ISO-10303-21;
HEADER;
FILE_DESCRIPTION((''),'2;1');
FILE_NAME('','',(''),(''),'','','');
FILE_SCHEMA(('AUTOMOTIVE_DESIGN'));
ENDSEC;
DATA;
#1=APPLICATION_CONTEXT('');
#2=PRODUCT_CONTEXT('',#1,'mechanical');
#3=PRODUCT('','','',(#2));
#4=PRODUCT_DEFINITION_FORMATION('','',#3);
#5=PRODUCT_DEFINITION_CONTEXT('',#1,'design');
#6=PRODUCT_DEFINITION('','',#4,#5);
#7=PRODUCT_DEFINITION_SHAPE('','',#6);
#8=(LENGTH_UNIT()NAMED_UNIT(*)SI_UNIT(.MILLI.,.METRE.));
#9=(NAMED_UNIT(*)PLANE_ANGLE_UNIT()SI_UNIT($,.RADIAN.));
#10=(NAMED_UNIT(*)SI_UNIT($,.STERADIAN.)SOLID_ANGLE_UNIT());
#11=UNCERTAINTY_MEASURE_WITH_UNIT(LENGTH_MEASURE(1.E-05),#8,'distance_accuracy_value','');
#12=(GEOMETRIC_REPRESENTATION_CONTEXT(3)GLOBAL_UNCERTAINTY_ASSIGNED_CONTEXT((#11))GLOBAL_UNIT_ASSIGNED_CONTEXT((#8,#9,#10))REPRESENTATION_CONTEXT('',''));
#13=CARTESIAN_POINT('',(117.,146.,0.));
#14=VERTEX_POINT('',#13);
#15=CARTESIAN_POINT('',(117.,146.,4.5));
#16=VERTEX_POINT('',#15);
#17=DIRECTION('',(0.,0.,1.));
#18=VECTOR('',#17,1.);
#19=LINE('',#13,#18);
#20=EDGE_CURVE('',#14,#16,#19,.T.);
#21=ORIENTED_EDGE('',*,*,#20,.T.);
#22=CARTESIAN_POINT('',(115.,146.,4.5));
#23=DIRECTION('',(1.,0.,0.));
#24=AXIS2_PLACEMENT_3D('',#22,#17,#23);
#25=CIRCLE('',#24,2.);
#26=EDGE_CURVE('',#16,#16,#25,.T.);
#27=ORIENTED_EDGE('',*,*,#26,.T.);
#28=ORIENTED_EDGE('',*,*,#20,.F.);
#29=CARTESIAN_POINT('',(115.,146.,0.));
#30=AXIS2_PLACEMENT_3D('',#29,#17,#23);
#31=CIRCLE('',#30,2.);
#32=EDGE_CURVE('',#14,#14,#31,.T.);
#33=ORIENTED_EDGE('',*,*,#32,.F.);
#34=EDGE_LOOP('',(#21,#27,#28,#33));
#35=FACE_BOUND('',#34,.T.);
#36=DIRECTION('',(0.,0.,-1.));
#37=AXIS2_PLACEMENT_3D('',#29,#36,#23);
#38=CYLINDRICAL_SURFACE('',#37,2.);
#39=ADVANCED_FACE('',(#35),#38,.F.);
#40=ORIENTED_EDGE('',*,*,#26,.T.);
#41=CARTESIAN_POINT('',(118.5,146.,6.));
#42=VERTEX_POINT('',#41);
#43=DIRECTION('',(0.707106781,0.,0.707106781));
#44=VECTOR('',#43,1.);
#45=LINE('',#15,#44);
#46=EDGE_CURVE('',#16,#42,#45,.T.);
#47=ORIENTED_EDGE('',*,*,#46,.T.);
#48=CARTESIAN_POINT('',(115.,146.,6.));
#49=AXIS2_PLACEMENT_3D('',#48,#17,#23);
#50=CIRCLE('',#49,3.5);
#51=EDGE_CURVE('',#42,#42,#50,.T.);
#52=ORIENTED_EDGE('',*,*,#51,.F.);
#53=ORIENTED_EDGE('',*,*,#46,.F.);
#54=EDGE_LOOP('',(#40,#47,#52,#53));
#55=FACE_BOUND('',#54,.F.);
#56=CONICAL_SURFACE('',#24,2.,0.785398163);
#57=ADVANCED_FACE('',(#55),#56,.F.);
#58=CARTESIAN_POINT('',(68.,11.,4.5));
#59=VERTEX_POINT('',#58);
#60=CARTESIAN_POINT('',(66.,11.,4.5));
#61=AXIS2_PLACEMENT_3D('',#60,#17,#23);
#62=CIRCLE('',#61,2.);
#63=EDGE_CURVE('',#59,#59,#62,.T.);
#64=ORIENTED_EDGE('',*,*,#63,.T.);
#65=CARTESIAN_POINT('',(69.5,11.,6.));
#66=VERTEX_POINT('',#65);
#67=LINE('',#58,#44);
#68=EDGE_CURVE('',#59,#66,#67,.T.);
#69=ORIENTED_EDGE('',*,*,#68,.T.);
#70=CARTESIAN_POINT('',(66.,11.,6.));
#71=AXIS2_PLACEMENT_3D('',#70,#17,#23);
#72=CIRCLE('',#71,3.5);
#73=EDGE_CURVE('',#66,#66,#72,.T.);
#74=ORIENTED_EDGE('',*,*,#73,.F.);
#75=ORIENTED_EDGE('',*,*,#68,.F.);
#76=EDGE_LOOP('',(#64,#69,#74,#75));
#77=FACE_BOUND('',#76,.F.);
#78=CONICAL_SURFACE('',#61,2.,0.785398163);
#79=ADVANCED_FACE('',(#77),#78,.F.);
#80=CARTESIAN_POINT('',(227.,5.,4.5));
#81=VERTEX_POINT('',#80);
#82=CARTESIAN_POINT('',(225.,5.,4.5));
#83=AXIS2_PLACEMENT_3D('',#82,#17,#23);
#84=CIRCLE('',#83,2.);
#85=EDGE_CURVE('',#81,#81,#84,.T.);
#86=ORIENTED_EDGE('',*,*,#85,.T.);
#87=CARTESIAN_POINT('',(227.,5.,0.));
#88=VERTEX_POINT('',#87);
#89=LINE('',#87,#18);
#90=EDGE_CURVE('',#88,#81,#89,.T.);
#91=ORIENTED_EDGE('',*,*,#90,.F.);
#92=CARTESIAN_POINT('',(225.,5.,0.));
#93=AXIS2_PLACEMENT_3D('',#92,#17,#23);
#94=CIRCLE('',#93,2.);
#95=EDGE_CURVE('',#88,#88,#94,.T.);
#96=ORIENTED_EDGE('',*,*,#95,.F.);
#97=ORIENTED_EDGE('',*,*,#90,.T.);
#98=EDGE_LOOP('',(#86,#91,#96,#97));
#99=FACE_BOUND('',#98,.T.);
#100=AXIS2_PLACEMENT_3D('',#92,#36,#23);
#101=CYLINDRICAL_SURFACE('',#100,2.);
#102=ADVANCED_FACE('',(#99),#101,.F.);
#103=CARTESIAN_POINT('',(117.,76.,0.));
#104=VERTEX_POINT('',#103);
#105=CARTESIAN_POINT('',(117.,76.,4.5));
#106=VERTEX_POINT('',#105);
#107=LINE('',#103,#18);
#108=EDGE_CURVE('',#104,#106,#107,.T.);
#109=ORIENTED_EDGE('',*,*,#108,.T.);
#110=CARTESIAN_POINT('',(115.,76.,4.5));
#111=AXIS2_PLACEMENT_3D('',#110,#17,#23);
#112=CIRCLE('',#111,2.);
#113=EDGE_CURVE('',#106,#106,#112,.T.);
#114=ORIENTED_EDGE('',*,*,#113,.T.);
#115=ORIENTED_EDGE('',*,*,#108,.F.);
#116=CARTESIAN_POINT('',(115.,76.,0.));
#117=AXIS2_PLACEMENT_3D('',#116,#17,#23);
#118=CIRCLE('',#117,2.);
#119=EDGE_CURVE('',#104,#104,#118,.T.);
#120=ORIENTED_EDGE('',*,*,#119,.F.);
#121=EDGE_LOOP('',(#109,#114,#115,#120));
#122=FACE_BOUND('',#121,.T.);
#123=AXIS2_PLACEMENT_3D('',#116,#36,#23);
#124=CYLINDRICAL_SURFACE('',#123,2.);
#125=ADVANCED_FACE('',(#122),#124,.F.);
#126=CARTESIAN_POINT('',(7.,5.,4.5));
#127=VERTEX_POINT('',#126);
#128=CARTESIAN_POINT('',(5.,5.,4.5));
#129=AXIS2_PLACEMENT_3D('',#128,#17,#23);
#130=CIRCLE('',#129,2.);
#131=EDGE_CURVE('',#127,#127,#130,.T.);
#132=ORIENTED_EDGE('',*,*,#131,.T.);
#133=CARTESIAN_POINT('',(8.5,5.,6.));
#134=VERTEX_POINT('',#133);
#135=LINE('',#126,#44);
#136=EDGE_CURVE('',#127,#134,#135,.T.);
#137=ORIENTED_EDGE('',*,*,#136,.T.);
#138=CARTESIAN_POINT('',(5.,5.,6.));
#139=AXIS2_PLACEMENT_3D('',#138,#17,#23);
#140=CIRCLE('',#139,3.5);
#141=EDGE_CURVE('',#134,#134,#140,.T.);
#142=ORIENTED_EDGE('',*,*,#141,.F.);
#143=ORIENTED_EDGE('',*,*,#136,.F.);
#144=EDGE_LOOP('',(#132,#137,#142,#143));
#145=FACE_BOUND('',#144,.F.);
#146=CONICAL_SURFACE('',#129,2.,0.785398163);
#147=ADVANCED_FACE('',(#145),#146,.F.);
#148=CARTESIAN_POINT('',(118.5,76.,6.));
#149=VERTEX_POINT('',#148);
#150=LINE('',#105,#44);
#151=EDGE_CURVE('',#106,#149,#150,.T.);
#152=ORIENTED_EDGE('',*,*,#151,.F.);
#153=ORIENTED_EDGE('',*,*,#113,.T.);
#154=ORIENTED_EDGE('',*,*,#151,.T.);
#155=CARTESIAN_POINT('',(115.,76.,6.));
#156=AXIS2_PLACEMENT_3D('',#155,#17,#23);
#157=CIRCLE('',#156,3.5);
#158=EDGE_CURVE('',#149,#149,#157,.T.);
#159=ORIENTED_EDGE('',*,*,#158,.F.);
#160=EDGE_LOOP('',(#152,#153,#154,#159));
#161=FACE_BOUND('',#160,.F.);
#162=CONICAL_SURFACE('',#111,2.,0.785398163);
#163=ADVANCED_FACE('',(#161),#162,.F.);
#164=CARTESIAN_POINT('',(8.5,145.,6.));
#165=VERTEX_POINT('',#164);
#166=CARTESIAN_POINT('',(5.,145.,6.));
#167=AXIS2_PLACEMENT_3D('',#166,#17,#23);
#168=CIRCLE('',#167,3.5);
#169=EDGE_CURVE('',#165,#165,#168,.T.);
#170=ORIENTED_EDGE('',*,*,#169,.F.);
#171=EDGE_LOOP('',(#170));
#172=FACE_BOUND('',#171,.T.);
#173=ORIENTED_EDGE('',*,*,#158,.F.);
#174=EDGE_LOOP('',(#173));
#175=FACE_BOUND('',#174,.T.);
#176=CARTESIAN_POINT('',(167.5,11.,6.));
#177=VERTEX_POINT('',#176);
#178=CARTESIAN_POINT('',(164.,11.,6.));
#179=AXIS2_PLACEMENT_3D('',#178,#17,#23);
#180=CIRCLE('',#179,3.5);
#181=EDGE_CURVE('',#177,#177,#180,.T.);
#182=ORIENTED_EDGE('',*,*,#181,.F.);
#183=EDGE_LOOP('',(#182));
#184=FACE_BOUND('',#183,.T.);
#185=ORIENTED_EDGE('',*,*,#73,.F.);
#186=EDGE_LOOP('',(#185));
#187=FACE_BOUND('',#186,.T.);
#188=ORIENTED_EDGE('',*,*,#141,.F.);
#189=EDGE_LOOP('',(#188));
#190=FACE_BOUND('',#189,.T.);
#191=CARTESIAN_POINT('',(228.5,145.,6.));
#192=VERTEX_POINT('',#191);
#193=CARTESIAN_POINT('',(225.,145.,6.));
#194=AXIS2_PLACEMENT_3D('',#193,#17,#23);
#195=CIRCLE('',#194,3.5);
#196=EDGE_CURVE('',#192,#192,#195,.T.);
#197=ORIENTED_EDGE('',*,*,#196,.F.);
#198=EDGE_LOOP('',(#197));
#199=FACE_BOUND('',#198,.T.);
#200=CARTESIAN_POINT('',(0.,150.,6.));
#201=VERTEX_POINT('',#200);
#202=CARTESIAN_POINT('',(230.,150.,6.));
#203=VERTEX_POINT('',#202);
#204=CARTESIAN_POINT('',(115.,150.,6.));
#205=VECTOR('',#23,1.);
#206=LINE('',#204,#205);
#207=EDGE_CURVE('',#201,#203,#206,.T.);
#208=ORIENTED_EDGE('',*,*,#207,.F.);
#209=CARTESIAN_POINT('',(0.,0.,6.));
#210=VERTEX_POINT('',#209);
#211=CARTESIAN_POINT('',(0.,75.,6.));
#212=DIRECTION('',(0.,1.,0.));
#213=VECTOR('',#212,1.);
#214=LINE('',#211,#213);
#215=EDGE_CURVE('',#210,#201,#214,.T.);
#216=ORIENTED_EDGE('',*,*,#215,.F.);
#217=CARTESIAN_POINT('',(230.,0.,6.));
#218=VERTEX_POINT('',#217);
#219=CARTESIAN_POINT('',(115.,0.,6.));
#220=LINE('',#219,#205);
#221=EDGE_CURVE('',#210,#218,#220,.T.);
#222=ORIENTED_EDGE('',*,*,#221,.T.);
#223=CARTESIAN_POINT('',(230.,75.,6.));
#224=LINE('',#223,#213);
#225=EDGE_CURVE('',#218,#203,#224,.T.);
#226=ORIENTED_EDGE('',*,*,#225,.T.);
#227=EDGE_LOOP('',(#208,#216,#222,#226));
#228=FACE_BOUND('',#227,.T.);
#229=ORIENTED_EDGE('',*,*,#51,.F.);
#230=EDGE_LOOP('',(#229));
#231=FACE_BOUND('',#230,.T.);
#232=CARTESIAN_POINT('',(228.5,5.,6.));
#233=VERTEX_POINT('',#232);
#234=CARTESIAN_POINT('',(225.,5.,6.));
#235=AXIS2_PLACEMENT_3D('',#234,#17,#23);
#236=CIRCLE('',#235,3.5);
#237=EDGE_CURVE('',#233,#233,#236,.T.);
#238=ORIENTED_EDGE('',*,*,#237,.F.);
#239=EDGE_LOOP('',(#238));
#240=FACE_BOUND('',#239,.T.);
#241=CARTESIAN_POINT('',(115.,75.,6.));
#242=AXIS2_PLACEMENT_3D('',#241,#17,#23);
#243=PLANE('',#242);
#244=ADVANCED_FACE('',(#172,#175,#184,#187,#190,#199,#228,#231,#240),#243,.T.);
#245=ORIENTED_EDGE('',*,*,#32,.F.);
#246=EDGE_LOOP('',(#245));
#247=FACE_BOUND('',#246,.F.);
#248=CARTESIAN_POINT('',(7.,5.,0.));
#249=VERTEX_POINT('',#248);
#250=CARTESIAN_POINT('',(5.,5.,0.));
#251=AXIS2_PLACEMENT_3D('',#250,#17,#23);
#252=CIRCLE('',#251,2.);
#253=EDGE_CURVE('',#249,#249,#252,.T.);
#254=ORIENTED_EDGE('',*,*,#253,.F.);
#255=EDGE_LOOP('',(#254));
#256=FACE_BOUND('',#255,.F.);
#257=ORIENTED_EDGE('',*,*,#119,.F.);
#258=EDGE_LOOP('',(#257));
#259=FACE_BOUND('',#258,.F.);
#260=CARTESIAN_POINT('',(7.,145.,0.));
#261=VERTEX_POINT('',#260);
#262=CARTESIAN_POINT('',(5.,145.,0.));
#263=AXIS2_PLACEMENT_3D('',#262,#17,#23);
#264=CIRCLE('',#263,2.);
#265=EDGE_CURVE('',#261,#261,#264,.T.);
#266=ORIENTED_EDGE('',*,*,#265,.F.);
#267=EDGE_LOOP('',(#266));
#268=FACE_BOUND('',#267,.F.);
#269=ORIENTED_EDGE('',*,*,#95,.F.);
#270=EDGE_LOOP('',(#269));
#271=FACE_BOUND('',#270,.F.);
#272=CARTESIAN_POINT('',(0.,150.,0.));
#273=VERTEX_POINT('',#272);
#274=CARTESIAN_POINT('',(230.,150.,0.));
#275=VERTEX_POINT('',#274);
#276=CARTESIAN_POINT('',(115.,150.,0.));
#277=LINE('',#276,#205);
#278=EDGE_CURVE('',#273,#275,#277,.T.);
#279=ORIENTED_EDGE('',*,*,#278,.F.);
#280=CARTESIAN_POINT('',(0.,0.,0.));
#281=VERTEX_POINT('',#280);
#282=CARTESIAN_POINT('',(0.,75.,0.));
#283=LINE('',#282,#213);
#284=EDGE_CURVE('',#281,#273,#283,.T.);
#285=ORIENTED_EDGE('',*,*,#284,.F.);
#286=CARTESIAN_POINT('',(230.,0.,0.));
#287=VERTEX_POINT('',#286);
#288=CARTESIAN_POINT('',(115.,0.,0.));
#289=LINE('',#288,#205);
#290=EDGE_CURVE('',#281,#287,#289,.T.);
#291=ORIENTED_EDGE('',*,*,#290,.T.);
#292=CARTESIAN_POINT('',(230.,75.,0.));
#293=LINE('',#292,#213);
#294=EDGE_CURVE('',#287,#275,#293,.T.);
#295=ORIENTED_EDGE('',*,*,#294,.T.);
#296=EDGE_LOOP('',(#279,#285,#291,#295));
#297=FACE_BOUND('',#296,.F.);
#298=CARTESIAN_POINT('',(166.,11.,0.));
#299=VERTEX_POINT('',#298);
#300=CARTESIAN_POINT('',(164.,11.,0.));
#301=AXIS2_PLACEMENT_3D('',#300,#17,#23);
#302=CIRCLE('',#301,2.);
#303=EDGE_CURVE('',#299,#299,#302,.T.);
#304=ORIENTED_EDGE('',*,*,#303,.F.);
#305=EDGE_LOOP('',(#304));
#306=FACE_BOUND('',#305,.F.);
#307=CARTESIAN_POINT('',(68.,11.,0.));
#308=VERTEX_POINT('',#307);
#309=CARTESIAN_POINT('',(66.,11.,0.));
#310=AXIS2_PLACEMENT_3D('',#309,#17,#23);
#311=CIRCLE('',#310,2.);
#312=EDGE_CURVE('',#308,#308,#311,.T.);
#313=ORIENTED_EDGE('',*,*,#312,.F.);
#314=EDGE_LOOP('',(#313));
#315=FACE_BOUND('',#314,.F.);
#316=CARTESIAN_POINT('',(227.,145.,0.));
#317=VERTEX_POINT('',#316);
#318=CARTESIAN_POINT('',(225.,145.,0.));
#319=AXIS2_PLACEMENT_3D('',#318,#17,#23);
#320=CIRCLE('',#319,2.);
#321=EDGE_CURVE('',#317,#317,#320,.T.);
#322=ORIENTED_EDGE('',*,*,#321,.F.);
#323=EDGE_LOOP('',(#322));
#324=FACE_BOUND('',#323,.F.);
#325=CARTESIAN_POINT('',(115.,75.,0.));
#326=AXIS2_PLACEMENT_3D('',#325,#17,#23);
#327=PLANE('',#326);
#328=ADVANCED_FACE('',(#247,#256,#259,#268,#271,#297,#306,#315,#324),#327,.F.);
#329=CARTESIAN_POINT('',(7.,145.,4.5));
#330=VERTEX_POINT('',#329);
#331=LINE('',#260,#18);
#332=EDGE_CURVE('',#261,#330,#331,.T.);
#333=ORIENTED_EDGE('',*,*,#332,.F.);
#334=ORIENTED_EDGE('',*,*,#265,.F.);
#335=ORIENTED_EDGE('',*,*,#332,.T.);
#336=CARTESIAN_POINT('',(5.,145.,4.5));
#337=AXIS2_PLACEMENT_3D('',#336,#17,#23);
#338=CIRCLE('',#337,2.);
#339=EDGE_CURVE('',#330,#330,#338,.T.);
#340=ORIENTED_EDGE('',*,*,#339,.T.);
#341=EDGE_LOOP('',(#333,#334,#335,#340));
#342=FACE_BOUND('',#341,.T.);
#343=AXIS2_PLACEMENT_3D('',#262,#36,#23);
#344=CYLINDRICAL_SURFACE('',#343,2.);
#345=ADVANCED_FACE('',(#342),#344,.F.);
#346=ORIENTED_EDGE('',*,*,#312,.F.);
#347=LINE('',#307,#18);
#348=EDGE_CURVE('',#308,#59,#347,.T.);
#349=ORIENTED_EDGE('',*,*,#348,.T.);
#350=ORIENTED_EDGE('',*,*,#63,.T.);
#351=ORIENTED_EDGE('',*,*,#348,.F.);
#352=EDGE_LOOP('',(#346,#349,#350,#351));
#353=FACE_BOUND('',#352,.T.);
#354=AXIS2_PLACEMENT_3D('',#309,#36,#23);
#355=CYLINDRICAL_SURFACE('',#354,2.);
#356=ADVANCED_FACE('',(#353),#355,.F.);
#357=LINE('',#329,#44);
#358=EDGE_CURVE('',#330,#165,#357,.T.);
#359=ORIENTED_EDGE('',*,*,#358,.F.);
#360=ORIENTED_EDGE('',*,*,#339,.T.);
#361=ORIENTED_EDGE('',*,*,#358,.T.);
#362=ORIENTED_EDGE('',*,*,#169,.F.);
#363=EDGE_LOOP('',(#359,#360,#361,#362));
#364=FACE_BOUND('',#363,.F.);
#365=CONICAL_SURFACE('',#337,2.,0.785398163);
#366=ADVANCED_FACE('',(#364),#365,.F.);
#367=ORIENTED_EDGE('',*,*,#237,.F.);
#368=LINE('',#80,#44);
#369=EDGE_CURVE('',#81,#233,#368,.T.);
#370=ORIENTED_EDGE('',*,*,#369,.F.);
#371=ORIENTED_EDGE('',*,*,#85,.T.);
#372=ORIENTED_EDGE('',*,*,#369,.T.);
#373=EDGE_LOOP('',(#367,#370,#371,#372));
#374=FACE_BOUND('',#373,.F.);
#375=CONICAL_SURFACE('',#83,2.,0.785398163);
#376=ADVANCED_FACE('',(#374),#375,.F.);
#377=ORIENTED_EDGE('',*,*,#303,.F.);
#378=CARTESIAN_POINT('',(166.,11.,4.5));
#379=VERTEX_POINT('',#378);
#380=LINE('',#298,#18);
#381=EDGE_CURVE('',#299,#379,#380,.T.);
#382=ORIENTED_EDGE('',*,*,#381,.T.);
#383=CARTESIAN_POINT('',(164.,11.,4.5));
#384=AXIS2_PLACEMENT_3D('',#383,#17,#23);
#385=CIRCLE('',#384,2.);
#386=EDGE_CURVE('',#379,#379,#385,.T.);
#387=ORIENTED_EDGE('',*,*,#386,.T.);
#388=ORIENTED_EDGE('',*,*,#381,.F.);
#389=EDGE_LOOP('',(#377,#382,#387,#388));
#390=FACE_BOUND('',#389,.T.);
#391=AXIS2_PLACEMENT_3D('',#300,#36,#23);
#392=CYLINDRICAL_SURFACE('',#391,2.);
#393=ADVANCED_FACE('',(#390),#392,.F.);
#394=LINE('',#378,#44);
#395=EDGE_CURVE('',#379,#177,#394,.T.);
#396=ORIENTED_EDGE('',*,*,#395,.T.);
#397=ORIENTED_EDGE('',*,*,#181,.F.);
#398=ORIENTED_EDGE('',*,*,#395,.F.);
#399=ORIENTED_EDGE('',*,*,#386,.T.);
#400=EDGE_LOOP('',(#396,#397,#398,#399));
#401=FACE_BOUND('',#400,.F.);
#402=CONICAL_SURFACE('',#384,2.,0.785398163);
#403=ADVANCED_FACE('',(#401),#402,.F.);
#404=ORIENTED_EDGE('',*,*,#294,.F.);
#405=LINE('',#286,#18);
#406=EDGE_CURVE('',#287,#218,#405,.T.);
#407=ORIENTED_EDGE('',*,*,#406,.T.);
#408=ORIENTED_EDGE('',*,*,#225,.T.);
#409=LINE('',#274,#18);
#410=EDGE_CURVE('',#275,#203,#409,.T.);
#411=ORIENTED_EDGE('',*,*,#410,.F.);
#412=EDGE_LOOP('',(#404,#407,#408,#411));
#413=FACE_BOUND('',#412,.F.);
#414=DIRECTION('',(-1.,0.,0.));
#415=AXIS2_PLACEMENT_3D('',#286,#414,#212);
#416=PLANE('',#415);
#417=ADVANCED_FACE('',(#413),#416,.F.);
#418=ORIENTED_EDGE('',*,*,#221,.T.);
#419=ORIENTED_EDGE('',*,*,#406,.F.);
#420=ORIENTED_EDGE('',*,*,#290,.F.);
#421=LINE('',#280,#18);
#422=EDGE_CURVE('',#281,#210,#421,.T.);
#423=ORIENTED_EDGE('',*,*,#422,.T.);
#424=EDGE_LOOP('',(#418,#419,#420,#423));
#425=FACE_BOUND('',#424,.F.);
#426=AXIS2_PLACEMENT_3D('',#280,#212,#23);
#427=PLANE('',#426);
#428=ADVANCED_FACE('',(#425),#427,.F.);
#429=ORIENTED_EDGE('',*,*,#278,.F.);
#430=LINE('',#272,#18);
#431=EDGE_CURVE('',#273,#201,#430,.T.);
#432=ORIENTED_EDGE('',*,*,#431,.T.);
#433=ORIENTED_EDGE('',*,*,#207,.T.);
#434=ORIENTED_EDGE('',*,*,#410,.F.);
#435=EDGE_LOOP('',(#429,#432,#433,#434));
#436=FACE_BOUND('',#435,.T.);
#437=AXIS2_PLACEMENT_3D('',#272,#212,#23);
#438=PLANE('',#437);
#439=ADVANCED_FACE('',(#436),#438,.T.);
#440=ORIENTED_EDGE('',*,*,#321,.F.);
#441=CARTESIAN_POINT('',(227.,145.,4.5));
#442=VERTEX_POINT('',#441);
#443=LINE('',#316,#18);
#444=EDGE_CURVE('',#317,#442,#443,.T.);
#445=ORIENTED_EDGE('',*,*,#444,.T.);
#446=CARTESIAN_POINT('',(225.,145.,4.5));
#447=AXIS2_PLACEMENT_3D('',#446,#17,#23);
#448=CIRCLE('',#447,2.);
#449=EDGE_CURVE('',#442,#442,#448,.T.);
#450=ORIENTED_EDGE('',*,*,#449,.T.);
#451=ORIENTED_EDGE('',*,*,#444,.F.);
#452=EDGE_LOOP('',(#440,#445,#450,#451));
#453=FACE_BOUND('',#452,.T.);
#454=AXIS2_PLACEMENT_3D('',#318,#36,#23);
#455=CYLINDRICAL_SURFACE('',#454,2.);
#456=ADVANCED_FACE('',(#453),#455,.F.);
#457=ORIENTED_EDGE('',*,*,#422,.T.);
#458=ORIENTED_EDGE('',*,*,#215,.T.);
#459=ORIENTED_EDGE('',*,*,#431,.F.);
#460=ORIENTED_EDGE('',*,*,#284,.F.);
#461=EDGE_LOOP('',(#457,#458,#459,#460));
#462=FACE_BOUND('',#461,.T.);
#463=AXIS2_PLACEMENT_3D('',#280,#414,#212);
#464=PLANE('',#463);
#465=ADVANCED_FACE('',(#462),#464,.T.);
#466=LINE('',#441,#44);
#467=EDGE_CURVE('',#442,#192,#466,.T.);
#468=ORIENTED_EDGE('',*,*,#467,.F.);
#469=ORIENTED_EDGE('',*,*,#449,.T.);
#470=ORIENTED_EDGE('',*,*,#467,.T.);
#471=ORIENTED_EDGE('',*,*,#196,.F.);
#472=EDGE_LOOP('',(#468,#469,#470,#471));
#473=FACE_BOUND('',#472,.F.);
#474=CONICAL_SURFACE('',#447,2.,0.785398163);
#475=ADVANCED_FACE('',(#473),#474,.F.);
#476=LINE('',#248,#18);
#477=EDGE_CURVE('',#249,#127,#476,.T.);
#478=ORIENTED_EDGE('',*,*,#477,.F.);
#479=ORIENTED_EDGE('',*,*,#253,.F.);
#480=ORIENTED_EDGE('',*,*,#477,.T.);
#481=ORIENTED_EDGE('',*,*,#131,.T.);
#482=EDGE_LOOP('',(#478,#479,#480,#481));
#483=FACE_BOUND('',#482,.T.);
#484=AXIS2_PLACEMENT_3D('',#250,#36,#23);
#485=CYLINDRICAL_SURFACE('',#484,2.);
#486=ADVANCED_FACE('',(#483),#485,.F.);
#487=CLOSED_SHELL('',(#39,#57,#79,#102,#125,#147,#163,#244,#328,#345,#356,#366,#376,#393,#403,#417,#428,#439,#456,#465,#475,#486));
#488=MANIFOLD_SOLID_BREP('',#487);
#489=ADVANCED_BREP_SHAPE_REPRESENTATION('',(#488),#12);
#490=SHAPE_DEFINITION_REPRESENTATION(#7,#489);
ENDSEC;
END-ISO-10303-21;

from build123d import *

# Parameters (mm, degrees)
F0_W     = 230
F0_H     = 150
F0_R     = 2
F1_DEPTH = 6
F2_SIZE  = 1.5


with BuildPart() as f1:
    # F0 (on Top) → F1 (new body)
    with BuildSketch(Plane.XY):
        with Locations((115, 75)):
            Rectangle(F0_W, F0_H)
        with Locations((5, 5)):
            Circle(F0_R, mode=Mode.SUBTRACT)
        with Locations((66, 11)):
            Circle(F0_R, mode=Mode.SUBTRACT)
        with Locations((164, 11)):
            Circle(F0_R, mode=Mode.SUBTRACT)
        with Locations((225, 5)):
            Circle(F0_R, mode=Mode.SUBTRACT)
        with Locations((5, 145)):
            Circle(F0_R, mode=Mode.SUBTRACT)
        with Locations((115, 76)):
            Circle(F0_R, mode=Mode.SUBTRACT)
        with Locations((115, 146)):
            Circle(F0_R, mode=Mode.SUBTRACT)
        with Locations((225, 145)):
            Circle(F0_R, mode=Mode.SUBTRACT)
    extrude(amount=F1_DEPTH)

    # F2
    f2_edges = [f1.edges().sort_by_distance(p)[0] for p in [
        (3, 145, 6),
        (3, 5, 6),
        (64, 11, 6),
        (113, 76, 6),
        (113, 146, 6),
        (162, 11, 6),
        (223, 5, 6),
        (223, 145, 6),
    ]]
    chamfer(f2_edges, length=F2_SIZE)


solid = f1.part
